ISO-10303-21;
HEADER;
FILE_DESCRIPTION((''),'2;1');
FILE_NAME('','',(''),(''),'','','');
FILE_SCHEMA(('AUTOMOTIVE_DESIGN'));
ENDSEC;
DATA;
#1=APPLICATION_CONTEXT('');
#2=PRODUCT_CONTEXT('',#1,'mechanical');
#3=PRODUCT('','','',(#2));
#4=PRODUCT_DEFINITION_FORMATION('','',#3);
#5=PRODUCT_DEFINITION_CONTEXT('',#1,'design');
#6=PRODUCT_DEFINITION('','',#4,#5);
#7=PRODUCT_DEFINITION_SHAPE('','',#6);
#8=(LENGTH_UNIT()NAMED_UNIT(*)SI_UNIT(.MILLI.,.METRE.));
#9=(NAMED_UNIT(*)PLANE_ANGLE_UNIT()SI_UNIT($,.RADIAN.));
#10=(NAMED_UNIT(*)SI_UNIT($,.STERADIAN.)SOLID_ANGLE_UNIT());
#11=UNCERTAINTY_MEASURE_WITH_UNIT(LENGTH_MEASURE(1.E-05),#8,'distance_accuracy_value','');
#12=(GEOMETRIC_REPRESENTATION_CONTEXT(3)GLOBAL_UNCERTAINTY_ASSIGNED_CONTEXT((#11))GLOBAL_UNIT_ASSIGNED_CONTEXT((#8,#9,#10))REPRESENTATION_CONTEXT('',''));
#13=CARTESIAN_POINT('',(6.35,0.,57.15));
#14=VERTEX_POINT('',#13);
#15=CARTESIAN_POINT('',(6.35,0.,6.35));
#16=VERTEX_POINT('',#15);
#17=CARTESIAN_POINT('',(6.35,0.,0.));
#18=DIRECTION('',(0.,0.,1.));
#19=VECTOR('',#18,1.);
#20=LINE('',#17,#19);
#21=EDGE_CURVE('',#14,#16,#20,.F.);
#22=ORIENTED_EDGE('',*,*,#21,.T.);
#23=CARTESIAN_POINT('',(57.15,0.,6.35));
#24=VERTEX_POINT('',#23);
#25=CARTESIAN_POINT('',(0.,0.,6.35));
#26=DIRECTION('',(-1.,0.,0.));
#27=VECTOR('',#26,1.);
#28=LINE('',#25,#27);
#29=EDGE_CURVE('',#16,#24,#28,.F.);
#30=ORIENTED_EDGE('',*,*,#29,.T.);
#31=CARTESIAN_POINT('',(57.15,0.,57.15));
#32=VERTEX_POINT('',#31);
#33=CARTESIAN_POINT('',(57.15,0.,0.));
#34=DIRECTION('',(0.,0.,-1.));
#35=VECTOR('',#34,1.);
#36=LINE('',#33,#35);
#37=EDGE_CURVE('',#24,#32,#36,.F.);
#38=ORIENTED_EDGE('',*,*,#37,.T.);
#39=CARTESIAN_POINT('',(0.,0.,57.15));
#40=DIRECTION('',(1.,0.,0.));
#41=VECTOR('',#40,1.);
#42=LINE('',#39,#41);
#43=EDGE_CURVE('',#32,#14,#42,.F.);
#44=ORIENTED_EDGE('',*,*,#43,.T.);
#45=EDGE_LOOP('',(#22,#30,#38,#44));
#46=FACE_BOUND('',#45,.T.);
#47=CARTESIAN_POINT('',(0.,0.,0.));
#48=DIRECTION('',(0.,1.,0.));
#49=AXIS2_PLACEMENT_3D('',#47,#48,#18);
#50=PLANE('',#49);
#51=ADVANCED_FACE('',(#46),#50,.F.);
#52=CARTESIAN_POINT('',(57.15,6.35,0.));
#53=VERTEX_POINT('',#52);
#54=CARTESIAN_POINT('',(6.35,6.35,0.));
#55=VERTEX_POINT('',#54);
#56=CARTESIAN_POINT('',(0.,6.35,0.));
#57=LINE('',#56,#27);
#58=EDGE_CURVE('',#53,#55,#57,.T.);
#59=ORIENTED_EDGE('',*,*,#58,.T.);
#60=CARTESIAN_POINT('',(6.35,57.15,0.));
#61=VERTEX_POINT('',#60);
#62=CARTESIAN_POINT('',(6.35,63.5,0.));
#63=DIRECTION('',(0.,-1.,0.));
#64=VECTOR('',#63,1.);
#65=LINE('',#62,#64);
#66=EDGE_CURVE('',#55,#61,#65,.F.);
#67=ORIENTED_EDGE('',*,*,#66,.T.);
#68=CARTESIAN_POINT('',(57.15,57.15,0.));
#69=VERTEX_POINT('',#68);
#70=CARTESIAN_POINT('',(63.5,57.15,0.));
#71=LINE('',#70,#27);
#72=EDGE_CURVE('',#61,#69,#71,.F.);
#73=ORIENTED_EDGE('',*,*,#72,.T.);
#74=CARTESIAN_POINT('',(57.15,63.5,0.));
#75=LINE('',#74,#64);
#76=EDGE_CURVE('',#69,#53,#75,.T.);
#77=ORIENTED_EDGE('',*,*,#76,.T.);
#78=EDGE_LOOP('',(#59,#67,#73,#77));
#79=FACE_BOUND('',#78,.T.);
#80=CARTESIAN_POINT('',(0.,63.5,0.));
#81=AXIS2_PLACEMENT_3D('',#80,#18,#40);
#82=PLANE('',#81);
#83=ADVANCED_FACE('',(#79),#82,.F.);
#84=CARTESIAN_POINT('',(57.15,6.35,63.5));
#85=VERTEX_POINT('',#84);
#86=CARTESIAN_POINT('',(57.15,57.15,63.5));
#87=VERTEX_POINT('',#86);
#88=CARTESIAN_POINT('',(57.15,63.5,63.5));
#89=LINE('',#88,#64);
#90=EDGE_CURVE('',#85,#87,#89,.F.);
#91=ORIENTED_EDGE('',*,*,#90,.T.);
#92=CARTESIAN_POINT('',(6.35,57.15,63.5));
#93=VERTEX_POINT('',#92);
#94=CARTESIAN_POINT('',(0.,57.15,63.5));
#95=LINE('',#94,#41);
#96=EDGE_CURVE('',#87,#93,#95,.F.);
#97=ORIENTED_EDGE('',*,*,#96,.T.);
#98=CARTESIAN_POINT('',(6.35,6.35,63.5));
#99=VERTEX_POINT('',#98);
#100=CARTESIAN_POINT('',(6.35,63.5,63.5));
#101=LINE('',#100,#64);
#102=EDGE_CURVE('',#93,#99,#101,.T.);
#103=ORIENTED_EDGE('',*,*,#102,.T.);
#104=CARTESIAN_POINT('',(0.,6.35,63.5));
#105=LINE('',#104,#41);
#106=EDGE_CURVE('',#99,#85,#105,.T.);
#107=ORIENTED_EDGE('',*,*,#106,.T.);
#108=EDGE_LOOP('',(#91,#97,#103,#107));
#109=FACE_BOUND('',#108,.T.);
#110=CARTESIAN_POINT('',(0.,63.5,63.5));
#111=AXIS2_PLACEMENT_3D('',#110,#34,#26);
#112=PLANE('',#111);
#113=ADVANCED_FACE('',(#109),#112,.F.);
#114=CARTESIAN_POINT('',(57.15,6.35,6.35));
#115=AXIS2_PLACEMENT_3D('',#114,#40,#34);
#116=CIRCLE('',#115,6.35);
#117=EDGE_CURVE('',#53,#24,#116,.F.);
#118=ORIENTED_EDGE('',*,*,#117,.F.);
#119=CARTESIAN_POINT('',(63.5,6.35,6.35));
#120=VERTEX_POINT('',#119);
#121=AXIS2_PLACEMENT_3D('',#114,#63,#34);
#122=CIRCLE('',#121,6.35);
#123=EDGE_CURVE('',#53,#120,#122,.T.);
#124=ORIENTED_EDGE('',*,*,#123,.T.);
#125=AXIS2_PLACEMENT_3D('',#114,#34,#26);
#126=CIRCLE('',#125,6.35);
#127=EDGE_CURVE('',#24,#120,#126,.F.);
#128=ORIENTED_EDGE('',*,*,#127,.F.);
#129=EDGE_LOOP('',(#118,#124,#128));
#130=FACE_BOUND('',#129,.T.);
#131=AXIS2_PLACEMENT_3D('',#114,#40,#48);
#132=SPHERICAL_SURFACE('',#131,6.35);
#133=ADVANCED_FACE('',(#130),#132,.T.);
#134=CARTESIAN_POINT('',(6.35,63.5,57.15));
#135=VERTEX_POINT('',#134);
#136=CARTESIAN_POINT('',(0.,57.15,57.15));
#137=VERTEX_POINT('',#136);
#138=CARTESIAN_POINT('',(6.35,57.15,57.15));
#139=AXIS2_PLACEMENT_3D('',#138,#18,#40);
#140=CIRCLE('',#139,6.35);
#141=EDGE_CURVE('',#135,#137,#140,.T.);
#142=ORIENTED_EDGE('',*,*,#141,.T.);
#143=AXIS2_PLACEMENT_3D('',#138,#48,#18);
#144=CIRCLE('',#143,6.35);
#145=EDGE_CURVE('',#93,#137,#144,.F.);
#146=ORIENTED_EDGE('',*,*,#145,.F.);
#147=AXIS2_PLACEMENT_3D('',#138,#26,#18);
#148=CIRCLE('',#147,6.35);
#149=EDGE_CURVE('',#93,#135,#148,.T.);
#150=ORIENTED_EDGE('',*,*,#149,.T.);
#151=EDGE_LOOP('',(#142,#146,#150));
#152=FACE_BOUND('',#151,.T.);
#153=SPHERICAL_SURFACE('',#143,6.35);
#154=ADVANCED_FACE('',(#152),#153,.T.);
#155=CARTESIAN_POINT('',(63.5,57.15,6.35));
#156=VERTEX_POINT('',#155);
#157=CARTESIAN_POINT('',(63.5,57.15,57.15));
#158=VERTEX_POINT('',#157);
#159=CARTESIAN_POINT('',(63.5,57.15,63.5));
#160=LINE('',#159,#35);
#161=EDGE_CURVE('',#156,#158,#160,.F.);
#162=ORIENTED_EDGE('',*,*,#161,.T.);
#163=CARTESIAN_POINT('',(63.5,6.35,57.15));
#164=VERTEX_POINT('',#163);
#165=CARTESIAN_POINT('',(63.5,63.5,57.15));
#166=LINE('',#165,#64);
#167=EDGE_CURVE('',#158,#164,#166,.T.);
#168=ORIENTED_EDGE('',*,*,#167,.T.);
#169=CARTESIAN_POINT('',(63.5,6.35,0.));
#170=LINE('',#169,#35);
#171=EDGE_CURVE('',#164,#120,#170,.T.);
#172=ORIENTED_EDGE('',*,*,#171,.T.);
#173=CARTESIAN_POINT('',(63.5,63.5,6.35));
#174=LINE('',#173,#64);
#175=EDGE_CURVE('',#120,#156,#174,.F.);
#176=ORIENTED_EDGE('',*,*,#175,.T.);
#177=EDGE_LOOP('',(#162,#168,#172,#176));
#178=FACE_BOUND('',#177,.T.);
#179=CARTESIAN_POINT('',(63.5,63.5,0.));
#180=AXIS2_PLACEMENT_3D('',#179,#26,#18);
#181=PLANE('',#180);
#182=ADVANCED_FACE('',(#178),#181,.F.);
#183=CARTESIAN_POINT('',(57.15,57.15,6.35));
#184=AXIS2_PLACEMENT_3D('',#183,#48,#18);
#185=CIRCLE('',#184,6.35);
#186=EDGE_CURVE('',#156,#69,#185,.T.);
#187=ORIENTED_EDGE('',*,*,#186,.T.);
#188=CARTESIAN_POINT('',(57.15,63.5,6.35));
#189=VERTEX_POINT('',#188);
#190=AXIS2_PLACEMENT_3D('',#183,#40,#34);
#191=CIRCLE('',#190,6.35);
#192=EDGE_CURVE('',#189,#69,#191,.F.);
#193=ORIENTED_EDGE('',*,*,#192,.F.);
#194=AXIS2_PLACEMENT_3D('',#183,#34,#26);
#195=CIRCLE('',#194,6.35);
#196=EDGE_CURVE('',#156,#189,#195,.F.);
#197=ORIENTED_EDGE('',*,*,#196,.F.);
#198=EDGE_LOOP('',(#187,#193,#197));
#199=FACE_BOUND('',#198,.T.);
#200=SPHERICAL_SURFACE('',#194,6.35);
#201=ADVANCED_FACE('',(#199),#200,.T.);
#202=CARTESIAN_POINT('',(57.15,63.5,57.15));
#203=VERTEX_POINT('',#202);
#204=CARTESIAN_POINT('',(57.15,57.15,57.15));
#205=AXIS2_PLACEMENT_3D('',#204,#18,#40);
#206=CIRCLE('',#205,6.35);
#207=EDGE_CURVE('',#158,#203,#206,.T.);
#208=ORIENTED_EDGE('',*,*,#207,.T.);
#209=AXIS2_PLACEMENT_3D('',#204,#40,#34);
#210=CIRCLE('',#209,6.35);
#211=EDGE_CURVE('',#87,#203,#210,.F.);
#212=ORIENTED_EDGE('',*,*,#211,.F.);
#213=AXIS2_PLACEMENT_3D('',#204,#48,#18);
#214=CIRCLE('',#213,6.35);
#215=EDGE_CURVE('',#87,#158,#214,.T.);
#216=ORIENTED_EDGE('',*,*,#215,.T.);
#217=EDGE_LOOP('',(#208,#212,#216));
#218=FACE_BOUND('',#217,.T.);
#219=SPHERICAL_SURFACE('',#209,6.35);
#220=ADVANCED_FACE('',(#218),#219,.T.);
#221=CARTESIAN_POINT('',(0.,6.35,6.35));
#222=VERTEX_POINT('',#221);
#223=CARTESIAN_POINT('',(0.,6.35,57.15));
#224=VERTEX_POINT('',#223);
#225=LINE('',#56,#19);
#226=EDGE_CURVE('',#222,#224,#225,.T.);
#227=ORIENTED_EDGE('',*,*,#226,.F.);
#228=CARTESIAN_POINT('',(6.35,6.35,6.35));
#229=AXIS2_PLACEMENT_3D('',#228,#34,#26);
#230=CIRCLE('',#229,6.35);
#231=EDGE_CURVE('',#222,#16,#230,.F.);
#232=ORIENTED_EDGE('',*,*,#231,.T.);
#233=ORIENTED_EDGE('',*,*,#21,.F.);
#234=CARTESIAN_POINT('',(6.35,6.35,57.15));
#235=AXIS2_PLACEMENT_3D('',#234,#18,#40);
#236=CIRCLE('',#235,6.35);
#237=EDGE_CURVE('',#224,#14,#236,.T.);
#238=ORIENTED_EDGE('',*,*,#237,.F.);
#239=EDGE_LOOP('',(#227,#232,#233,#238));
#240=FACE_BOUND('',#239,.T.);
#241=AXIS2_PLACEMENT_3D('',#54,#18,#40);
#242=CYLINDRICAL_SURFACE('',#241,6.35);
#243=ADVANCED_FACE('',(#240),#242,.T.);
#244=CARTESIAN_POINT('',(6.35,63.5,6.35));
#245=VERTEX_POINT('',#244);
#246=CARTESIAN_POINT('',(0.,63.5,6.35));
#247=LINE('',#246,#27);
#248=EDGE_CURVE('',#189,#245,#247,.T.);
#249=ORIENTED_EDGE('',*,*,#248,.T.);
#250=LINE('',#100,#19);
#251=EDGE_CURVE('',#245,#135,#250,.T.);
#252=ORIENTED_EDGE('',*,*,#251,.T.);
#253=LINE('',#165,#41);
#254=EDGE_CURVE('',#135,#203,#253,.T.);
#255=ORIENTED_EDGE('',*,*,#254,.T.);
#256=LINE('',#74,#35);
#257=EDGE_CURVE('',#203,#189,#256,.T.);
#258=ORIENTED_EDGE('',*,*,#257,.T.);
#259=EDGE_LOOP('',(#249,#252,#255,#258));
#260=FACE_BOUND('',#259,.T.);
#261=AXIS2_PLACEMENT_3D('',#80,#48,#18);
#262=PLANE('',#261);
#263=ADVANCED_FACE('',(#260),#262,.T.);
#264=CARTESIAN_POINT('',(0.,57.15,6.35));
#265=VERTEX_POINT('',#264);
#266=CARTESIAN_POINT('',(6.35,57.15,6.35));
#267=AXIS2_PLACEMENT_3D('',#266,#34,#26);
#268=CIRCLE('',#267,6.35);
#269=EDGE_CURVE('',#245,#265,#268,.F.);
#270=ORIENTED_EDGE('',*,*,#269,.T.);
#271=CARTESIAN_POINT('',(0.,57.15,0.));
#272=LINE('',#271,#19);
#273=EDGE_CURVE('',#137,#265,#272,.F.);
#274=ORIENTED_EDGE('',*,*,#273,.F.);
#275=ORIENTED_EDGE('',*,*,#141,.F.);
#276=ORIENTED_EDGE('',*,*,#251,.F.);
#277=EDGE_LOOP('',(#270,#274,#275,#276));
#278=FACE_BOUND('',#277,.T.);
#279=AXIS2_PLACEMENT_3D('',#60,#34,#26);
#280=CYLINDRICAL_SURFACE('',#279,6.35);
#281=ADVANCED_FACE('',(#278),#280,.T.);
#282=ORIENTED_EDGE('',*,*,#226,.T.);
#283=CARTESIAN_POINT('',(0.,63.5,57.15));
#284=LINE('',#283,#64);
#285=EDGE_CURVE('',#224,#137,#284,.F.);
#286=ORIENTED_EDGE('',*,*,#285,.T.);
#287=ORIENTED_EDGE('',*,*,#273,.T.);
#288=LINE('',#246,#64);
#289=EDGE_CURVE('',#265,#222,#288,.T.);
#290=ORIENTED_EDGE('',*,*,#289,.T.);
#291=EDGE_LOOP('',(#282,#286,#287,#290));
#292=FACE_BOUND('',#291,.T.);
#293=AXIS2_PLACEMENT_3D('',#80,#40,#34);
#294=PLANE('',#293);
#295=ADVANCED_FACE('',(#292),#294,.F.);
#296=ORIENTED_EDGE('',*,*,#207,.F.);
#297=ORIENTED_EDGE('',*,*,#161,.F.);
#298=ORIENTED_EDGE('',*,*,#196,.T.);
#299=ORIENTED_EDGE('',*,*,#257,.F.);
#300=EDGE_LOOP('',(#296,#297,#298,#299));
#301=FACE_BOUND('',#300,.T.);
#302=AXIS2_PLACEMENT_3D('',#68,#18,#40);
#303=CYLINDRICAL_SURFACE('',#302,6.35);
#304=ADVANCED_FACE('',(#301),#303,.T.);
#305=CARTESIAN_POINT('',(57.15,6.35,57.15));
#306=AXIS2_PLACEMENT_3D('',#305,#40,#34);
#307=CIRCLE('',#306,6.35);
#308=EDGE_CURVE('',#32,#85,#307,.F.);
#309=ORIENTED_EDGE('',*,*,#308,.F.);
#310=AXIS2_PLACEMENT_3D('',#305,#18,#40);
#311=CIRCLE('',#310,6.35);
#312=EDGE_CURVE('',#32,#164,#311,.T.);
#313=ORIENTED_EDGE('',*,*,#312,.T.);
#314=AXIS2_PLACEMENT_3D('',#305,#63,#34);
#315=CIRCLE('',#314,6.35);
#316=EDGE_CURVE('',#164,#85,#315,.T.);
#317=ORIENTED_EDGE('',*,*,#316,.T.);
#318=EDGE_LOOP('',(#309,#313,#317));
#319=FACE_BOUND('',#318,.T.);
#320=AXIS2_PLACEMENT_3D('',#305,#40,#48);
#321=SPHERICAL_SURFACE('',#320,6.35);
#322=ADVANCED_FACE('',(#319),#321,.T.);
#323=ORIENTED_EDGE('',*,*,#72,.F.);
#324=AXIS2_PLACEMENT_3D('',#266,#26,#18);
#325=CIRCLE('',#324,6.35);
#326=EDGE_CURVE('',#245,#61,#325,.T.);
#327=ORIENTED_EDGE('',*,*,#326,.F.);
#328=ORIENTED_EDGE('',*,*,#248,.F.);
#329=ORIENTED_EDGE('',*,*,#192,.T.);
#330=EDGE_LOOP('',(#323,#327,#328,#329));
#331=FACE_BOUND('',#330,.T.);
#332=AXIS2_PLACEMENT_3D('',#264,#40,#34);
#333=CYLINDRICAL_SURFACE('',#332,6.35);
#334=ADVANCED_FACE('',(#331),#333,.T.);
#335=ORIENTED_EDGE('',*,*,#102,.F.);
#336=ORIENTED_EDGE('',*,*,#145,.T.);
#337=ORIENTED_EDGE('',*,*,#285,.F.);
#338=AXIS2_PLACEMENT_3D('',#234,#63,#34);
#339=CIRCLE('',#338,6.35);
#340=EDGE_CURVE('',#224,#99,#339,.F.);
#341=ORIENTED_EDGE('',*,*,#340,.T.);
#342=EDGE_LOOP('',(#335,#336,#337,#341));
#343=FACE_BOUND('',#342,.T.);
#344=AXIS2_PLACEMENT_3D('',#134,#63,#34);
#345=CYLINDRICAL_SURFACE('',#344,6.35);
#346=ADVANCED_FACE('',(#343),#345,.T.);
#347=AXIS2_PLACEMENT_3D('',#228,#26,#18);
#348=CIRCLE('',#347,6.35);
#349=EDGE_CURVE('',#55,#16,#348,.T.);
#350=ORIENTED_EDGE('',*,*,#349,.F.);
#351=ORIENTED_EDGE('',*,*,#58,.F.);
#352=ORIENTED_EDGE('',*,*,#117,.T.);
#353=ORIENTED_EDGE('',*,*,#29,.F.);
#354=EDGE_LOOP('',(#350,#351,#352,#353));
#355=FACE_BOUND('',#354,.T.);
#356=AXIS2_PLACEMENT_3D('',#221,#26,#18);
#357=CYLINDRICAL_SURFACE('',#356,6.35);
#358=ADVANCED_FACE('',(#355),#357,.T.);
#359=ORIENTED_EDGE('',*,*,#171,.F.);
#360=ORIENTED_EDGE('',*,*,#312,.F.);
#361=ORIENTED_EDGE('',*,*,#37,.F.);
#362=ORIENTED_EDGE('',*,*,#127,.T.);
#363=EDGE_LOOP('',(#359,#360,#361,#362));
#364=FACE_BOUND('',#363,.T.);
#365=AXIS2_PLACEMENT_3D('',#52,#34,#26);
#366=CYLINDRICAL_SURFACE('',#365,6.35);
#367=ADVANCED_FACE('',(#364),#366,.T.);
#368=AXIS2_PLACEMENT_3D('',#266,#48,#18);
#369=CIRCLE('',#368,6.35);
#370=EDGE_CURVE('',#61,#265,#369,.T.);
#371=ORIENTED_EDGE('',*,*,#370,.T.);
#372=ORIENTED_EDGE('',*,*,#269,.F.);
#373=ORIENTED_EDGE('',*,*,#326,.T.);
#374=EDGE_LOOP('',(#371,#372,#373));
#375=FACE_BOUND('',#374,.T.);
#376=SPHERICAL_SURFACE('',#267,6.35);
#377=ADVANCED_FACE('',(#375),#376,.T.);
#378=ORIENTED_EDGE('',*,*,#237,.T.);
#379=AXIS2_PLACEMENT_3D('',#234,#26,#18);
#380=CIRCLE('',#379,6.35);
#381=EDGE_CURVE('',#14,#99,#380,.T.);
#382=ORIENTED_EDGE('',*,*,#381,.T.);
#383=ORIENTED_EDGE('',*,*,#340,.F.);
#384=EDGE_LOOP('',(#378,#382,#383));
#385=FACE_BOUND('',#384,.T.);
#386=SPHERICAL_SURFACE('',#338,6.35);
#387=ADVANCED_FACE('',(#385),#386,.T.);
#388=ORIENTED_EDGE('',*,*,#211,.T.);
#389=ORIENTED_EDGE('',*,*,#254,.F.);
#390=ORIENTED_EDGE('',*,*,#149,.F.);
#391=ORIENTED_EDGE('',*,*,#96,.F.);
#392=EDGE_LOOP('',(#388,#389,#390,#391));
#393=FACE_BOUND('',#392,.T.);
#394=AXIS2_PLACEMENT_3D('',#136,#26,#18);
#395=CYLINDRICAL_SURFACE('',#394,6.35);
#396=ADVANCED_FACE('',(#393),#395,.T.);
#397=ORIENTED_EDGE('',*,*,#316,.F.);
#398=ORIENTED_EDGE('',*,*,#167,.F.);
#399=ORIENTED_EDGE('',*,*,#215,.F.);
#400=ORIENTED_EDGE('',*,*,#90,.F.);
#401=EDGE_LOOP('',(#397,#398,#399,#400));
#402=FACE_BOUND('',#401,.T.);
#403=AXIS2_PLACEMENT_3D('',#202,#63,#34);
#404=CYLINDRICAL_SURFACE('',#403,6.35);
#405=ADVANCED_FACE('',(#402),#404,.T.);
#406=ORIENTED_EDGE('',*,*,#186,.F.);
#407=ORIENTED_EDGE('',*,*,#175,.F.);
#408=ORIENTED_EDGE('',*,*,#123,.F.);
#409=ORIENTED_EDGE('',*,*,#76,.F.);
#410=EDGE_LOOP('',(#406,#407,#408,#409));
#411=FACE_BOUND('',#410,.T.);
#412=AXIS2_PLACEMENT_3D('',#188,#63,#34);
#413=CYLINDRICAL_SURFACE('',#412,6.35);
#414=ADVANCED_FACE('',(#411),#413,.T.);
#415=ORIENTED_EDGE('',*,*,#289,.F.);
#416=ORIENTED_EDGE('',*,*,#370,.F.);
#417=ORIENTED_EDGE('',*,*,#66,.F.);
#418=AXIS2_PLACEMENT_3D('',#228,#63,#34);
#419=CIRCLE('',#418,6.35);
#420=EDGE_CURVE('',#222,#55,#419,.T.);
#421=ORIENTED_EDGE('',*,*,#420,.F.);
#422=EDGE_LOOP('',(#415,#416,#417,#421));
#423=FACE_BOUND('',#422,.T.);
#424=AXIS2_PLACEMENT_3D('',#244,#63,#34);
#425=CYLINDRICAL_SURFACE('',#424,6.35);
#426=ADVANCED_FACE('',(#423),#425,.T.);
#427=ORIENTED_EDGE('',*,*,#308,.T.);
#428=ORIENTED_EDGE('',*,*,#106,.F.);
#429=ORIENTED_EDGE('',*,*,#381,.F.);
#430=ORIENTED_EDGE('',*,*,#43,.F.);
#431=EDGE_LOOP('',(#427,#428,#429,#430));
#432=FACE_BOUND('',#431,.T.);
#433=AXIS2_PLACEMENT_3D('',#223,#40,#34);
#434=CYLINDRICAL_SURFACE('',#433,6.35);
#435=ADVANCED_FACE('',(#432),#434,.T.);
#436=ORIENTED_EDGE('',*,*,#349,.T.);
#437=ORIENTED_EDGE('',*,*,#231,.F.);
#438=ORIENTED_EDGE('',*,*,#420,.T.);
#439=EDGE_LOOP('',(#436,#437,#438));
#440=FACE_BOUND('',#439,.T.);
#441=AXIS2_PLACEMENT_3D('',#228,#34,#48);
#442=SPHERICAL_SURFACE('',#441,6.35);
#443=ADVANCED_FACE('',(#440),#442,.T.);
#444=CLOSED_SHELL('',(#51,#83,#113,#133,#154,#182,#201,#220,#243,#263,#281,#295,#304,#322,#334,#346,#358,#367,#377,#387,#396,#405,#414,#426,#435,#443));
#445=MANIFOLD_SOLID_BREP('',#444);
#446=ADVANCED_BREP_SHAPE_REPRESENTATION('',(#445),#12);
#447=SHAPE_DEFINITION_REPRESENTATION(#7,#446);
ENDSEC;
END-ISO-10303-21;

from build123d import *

# Parameters (mm, degrees)
SKETCH1_W           = 63.5
SKETCH1_H           = 63.5
BOSS_EXTRUDE1_DEPTH = 63.5
FILLET1_R           = 6.35


with BuildPart() as part:
    # Sketch1 → Boss-Extrude1 (new body)
    with BuildSketch(Plane(origin=(0, 0, 0), x_dir=(1, 0, 0), z_dir=(0, 1, 0))):
        with Locations((31.75, -31.75)):
            Rectangle(SKETCH1_W, SKETCH1_H)
    extrude(amount=BOSS_EXTRUDE1_DEPTH)

    # Fillet1
    fillet1_edges = [part.edges().sort_by_distance(p)[0] for p in [
        (63.5, 63.5, 31.75),
        (31.75, 63.5, 0),
        (0, 63.5, 31.75),
        (31.75, 0, 0),
        (63.5, 0, 31.75),
        (31.75, 0, 63.5),
        (0, 0, 31.75),
        (0, 31.75, 0),
        (63.5, 31.75, 0),
        (63.5, 31.75, 63.5),
        (0, 31.75, 63.5),
        (31.75, 63.5, 63.5),
    ]]
    fillet(fillet1_edges, radius=FILLET1_R)


solid = part.part
